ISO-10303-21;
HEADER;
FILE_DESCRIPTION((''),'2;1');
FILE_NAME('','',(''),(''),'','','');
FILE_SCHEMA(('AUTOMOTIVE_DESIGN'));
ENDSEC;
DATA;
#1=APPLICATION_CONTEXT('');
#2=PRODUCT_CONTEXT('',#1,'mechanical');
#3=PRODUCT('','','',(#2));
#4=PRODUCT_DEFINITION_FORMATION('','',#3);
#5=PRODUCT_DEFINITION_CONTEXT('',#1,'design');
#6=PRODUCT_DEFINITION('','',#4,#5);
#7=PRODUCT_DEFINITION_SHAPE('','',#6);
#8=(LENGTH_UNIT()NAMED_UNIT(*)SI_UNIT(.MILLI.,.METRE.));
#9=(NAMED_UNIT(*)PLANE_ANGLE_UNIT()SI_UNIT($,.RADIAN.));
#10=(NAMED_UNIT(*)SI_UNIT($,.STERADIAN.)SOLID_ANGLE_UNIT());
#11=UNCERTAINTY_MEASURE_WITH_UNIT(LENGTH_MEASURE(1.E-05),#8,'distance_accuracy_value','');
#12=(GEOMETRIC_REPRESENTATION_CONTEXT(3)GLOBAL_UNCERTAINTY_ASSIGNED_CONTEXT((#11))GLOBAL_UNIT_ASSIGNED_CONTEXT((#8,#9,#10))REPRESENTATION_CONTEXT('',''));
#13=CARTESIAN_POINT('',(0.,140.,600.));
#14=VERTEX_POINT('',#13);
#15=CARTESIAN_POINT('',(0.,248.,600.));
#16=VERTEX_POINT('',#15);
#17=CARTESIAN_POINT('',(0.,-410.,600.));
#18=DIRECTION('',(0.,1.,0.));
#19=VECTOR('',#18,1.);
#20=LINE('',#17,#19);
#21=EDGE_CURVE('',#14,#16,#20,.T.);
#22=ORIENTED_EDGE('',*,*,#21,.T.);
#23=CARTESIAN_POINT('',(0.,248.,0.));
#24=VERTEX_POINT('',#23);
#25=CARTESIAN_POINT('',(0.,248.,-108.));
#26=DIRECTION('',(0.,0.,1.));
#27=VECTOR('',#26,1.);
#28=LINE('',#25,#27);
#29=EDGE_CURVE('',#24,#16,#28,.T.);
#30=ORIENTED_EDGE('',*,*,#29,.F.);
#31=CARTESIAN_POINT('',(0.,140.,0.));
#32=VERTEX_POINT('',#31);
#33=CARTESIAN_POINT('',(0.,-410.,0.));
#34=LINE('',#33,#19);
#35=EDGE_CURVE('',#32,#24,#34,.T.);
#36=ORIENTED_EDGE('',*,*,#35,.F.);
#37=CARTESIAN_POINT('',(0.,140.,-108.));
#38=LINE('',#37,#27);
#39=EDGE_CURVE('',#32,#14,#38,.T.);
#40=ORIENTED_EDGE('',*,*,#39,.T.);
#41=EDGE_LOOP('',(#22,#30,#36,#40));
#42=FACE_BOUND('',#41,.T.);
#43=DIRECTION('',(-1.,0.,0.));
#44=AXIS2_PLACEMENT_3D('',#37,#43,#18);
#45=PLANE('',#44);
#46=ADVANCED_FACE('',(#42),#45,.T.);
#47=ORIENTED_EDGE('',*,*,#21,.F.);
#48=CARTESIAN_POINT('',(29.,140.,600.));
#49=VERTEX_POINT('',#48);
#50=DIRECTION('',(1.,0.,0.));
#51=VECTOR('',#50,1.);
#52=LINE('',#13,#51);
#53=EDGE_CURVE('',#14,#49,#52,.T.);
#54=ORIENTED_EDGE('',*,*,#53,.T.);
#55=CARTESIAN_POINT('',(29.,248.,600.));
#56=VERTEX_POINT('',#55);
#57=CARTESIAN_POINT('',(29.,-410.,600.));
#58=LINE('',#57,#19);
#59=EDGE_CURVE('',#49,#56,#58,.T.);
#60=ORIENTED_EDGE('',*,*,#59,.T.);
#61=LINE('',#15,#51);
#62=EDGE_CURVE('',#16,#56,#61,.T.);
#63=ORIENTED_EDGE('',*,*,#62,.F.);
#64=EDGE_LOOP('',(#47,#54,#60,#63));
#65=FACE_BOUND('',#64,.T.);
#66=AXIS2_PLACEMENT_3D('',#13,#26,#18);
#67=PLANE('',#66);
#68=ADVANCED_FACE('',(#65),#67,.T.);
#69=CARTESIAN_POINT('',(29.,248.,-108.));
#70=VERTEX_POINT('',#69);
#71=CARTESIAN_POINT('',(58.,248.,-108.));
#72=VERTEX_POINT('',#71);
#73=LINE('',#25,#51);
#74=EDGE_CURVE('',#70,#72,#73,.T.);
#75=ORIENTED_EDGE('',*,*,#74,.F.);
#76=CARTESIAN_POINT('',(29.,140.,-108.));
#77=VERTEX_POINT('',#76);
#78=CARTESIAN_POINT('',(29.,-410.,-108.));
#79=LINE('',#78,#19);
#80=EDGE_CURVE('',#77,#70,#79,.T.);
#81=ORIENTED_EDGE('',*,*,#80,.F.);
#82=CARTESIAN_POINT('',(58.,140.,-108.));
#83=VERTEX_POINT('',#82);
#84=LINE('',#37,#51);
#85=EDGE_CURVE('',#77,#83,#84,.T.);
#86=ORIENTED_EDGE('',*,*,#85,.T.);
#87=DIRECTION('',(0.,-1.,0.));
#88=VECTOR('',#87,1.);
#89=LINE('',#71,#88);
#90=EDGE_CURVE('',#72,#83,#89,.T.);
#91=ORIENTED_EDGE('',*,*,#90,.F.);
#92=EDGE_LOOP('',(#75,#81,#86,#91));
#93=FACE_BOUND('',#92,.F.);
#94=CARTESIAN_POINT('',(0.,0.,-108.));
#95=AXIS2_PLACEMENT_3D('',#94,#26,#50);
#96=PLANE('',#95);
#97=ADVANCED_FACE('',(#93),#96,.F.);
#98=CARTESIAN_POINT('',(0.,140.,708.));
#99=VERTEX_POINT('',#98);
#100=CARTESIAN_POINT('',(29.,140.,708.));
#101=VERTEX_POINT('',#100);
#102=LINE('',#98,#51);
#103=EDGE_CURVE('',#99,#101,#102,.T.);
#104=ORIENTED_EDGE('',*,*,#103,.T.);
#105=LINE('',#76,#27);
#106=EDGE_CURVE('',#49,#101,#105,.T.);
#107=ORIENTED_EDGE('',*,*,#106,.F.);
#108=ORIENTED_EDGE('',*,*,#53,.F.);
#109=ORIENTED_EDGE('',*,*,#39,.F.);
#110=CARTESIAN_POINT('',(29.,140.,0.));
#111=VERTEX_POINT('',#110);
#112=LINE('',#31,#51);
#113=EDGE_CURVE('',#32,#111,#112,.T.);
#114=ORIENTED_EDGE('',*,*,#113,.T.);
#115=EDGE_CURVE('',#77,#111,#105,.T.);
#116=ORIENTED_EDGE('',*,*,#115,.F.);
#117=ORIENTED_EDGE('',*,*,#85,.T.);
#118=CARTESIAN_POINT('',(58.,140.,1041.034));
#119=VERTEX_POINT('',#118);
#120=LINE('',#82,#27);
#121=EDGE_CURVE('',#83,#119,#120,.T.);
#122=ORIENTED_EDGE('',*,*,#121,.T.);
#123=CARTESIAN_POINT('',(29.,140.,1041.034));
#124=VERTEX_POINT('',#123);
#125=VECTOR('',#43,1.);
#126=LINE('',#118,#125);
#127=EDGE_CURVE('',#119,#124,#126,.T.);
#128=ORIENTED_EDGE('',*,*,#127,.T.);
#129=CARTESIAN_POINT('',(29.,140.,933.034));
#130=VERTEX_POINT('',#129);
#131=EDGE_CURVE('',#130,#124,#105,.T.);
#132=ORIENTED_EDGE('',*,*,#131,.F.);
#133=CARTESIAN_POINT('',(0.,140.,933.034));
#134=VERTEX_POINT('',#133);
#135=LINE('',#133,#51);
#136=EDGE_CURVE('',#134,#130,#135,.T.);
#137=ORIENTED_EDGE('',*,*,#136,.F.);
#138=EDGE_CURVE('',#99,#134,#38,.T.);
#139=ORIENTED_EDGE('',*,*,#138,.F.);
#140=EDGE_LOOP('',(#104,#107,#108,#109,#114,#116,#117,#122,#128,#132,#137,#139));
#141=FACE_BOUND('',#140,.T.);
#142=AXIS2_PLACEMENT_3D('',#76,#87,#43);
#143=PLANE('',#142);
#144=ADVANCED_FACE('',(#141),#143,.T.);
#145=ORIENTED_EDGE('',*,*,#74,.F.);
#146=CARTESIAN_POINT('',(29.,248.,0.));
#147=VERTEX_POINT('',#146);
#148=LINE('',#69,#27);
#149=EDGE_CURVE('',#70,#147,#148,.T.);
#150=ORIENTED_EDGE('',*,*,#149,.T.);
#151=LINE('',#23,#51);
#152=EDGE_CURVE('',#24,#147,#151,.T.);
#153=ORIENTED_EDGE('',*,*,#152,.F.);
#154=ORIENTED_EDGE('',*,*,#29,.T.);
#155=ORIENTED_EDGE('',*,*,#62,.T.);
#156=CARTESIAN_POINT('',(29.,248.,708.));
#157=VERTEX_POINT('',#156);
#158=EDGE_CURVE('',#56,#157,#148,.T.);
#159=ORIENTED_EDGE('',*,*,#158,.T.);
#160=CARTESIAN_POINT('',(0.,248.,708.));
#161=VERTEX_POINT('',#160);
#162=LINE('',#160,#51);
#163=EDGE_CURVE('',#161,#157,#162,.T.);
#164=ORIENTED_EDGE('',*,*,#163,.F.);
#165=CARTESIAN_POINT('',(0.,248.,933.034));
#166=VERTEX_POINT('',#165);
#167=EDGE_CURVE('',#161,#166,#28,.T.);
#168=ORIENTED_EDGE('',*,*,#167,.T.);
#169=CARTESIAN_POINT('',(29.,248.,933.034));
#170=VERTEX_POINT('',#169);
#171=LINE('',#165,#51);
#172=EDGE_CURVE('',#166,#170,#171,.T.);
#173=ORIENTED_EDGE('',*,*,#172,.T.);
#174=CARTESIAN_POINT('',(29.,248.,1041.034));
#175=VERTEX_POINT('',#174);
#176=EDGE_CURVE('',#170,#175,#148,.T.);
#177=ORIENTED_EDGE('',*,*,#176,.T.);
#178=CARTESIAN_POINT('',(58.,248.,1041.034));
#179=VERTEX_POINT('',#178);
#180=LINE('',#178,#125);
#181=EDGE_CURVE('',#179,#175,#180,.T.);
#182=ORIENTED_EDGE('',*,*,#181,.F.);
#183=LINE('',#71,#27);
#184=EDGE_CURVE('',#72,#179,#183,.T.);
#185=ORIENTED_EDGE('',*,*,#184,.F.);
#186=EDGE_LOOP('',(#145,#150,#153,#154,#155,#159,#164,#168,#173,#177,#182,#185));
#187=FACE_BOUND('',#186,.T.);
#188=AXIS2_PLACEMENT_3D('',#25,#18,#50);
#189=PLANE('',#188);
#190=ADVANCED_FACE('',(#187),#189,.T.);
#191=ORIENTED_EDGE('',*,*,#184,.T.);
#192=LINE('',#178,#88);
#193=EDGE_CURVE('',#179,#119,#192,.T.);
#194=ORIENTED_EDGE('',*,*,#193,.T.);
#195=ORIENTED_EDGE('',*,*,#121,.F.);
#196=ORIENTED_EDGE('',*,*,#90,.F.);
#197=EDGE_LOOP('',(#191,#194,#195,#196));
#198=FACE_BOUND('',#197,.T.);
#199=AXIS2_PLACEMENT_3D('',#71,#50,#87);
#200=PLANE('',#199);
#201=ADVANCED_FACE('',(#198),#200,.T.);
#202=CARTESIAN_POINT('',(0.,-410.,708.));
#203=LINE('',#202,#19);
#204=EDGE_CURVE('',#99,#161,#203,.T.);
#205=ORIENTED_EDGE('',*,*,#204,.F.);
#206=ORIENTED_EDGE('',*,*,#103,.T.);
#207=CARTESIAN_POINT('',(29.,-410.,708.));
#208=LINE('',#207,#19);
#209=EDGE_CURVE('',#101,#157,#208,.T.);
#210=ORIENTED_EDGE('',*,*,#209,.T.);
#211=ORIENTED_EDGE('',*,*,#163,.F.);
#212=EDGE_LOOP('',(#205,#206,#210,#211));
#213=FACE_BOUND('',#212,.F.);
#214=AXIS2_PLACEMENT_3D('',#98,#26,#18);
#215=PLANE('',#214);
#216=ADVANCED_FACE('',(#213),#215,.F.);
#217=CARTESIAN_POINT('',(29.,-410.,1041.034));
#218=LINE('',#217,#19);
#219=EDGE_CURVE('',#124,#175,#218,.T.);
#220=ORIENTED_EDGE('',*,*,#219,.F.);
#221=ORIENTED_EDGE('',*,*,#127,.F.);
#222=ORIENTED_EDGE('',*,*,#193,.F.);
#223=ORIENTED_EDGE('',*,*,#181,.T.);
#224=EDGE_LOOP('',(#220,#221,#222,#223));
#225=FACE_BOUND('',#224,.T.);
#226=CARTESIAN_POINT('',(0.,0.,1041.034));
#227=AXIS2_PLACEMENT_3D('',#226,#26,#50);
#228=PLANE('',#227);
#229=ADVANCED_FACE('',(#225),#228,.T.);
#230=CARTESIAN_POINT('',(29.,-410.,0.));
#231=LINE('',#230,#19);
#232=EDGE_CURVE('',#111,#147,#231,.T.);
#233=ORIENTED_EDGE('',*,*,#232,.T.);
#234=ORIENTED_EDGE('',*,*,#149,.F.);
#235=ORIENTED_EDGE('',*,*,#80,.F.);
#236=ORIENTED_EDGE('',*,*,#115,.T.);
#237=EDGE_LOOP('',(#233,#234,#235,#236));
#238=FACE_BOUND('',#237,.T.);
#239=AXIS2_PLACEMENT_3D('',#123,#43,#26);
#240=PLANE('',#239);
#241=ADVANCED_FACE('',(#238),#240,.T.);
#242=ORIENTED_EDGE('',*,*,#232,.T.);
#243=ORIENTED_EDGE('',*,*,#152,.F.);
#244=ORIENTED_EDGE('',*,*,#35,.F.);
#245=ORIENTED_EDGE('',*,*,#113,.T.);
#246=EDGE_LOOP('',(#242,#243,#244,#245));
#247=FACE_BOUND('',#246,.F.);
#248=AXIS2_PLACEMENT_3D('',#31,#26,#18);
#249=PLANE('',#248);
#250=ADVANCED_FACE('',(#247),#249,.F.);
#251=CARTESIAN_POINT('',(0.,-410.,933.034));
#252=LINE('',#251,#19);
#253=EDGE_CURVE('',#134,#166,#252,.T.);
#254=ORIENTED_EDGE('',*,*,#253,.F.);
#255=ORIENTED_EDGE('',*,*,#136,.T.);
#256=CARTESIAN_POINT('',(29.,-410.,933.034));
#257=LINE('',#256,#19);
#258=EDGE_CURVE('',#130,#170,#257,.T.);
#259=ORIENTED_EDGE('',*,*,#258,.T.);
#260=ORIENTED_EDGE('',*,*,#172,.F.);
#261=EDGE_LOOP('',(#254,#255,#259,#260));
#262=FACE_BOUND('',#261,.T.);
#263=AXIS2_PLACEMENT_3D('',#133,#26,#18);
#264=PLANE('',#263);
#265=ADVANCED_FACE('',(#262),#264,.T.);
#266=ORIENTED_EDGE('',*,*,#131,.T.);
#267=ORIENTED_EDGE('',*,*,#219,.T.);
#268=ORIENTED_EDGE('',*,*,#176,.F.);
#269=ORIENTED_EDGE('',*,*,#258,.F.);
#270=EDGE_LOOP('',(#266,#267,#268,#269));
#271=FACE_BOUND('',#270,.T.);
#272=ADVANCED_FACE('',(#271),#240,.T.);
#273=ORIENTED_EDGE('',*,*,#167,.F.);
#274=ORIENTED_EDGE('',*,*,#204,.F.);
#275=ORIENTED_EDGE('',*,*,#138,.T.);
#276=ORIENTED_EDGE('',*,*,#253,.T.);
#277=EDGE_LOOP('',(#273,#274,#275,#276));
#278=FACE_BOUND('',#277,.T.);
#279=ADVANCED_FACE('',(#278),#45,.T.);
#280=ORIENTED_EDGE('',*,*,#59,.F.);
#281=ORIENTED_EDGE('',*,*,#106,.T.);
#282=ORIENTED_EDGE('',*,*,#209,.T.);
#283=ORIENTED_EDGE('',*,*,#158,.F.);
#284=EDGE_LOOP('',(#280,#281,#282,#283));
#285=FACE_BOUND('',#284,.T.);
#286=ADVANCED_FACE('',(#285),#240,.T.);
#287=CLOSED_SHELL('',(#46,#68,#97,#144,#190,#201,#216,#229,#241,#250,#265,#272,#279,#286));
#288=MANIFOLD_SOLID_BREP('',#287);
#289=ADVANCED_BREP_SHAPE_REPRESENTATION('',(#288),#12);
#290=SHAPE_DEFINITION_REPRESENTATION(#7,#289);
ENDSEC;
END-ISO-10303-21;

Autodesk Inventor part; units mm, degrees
ref_plane "Work Plane1" through (0, 0, 0) normal (0, 0, 1) x (1, 0, 0)
sketch "Sketch1" plane through (0, 0, 0) normal (0, 0, 1) x (1, 0, 0)
  line L0 (29, 140) -> (29, 248) projected
  line L1 (29, 248) -> (58, 248) projected
  line L2 (29, 248) -> (58, 248) projected
  line L3 (58, 248) -> (58, 410) projected
  line L4 (0, 410) -> (58, 410) projected
  line L5 (0, -410) -> (0, 410) projected
  line L6 (58, -410) -> (0, -410) projected
  line L7 (58, -410) -> (58, -252) projected
  line L8 (58, -252) -> (29, -252) projected
  line L9 (29, -252) -> (29, -144) projected
  line L10 (29, -144) -> (58, -144) projected
  line L11 (58, -144) -> (58, 140) projected
  line L12 (58, 140) -> (29, 140) projected
  line L13 (29, 140) -> (29, 248) projected
  line L14 (58, 140) -> (29, 140) projected
  line L15 (58, 140) -> (0, 140)
  line L16 (0, 140) -> (0, 248)
  line L17 (0, 248) -> (58, 248)
  line L18 (58, 248) -> (58, 140)
  point P0 (0, 0)
ref_plane "Work Plane2" through (0, -410, -108) normal (0, 0, -1) x (0, 1, 0)
ref_plane "Work Plane3" through (0, -410, 1041.034) normal (0, 0, 1) x (1, 0, 0)
extrude "Extrusion1" add sketch "Sketch1" along normal up to surface (1149.034 mm away) from surface at -108 contours L15 L5 L17 L0 | L0 L1 L18 L12
sketch "Sketch2" plane through (0, 140, 1041.034) normal (-1, 0, 0) x (0, 0, 1)
  line L0 (-1041.034, -550) -> (-1041.034, 270) projected
  line L1 (-1149.034, 270) -> (-1041.034, 270) projected
  line L2 (-1149.034, -550) -> (-1149.034, 270) projected
  line L3 (-1041.034, -550) -> (-1149.034, -550) projected
  line L4 (-333.034, -550) -> (-333.034, 270) projected
  line L5 (-441.034, 270) -> (-333.034, 270) projected
  line L6 (-441.034, -550) -> (-441.034, 270) projected
  line L7 (-333.034, -550) -> (-441.034, -550) projected
  line L8 (0, -550) -> (0, 270) projected
  line L9 (-108, 270) -> (0, 270) projected
  line L10 (-108, -550) -> (-108, 270) projected
  line L11 (0, -550) -> (-108, -550) projected
  line L12 (0, 0) -> (0, 108) projected
  line L13 (-1149.034, 108) -> (0, 108) projected
  line L14 (-1149.034, 108) -> (-1149.034, 0) projected
  line L15 (-1149.034, 0) -> (0, 0) projected
  line L16 (-1041.034, 0) -> (-1149.034, 0)
  line L17 (-1149.034, 0) -> (-1149.034, 108)
  line L18 (-1149.034, 108) -> (-1041.034, 108)
  line L19 (-1041.034, 108) -> (-1041.034, 0)
  line L20 (-1149.034, 108) -> (0, 108) projected
  line L21 (-441.034, 108) -> (-333.034, 108)
  line L22 (-333.034, 108) -> (-333.034, 0)
  line L23 (-333.034, 0) -> (-441.034, 0)
  line L24 (-441.034, 0) -> (-441.034, 108)
  line L25 (-1149.034, 0) -> (0, 0) projected
  line L26 (0, 0) -> (0, 108) projected
  line L27 (-108, 0) -> (0, 0)
  line L28 (0, 0) -> (0, 108)
  line L29 (0, 108) -> (-108, 108)
  line L30 (-108, 108) -> (-108, 0)
  point P0 (-1041.034, -140)
ref_plane "Work Plane4" through (29, 140, 933.034) normal (1, 0, 0) x (0, 1, 0)
extrude "Extrusion2" cut sketch "Sketch2" against normal up to surface (29 mm away) contours L15 L2 L13 L0 | L6 L13 L4 L15 | L10 L13 L8 L15
properties part number "horizontalUnderSink" material "Wood (Birch)"
